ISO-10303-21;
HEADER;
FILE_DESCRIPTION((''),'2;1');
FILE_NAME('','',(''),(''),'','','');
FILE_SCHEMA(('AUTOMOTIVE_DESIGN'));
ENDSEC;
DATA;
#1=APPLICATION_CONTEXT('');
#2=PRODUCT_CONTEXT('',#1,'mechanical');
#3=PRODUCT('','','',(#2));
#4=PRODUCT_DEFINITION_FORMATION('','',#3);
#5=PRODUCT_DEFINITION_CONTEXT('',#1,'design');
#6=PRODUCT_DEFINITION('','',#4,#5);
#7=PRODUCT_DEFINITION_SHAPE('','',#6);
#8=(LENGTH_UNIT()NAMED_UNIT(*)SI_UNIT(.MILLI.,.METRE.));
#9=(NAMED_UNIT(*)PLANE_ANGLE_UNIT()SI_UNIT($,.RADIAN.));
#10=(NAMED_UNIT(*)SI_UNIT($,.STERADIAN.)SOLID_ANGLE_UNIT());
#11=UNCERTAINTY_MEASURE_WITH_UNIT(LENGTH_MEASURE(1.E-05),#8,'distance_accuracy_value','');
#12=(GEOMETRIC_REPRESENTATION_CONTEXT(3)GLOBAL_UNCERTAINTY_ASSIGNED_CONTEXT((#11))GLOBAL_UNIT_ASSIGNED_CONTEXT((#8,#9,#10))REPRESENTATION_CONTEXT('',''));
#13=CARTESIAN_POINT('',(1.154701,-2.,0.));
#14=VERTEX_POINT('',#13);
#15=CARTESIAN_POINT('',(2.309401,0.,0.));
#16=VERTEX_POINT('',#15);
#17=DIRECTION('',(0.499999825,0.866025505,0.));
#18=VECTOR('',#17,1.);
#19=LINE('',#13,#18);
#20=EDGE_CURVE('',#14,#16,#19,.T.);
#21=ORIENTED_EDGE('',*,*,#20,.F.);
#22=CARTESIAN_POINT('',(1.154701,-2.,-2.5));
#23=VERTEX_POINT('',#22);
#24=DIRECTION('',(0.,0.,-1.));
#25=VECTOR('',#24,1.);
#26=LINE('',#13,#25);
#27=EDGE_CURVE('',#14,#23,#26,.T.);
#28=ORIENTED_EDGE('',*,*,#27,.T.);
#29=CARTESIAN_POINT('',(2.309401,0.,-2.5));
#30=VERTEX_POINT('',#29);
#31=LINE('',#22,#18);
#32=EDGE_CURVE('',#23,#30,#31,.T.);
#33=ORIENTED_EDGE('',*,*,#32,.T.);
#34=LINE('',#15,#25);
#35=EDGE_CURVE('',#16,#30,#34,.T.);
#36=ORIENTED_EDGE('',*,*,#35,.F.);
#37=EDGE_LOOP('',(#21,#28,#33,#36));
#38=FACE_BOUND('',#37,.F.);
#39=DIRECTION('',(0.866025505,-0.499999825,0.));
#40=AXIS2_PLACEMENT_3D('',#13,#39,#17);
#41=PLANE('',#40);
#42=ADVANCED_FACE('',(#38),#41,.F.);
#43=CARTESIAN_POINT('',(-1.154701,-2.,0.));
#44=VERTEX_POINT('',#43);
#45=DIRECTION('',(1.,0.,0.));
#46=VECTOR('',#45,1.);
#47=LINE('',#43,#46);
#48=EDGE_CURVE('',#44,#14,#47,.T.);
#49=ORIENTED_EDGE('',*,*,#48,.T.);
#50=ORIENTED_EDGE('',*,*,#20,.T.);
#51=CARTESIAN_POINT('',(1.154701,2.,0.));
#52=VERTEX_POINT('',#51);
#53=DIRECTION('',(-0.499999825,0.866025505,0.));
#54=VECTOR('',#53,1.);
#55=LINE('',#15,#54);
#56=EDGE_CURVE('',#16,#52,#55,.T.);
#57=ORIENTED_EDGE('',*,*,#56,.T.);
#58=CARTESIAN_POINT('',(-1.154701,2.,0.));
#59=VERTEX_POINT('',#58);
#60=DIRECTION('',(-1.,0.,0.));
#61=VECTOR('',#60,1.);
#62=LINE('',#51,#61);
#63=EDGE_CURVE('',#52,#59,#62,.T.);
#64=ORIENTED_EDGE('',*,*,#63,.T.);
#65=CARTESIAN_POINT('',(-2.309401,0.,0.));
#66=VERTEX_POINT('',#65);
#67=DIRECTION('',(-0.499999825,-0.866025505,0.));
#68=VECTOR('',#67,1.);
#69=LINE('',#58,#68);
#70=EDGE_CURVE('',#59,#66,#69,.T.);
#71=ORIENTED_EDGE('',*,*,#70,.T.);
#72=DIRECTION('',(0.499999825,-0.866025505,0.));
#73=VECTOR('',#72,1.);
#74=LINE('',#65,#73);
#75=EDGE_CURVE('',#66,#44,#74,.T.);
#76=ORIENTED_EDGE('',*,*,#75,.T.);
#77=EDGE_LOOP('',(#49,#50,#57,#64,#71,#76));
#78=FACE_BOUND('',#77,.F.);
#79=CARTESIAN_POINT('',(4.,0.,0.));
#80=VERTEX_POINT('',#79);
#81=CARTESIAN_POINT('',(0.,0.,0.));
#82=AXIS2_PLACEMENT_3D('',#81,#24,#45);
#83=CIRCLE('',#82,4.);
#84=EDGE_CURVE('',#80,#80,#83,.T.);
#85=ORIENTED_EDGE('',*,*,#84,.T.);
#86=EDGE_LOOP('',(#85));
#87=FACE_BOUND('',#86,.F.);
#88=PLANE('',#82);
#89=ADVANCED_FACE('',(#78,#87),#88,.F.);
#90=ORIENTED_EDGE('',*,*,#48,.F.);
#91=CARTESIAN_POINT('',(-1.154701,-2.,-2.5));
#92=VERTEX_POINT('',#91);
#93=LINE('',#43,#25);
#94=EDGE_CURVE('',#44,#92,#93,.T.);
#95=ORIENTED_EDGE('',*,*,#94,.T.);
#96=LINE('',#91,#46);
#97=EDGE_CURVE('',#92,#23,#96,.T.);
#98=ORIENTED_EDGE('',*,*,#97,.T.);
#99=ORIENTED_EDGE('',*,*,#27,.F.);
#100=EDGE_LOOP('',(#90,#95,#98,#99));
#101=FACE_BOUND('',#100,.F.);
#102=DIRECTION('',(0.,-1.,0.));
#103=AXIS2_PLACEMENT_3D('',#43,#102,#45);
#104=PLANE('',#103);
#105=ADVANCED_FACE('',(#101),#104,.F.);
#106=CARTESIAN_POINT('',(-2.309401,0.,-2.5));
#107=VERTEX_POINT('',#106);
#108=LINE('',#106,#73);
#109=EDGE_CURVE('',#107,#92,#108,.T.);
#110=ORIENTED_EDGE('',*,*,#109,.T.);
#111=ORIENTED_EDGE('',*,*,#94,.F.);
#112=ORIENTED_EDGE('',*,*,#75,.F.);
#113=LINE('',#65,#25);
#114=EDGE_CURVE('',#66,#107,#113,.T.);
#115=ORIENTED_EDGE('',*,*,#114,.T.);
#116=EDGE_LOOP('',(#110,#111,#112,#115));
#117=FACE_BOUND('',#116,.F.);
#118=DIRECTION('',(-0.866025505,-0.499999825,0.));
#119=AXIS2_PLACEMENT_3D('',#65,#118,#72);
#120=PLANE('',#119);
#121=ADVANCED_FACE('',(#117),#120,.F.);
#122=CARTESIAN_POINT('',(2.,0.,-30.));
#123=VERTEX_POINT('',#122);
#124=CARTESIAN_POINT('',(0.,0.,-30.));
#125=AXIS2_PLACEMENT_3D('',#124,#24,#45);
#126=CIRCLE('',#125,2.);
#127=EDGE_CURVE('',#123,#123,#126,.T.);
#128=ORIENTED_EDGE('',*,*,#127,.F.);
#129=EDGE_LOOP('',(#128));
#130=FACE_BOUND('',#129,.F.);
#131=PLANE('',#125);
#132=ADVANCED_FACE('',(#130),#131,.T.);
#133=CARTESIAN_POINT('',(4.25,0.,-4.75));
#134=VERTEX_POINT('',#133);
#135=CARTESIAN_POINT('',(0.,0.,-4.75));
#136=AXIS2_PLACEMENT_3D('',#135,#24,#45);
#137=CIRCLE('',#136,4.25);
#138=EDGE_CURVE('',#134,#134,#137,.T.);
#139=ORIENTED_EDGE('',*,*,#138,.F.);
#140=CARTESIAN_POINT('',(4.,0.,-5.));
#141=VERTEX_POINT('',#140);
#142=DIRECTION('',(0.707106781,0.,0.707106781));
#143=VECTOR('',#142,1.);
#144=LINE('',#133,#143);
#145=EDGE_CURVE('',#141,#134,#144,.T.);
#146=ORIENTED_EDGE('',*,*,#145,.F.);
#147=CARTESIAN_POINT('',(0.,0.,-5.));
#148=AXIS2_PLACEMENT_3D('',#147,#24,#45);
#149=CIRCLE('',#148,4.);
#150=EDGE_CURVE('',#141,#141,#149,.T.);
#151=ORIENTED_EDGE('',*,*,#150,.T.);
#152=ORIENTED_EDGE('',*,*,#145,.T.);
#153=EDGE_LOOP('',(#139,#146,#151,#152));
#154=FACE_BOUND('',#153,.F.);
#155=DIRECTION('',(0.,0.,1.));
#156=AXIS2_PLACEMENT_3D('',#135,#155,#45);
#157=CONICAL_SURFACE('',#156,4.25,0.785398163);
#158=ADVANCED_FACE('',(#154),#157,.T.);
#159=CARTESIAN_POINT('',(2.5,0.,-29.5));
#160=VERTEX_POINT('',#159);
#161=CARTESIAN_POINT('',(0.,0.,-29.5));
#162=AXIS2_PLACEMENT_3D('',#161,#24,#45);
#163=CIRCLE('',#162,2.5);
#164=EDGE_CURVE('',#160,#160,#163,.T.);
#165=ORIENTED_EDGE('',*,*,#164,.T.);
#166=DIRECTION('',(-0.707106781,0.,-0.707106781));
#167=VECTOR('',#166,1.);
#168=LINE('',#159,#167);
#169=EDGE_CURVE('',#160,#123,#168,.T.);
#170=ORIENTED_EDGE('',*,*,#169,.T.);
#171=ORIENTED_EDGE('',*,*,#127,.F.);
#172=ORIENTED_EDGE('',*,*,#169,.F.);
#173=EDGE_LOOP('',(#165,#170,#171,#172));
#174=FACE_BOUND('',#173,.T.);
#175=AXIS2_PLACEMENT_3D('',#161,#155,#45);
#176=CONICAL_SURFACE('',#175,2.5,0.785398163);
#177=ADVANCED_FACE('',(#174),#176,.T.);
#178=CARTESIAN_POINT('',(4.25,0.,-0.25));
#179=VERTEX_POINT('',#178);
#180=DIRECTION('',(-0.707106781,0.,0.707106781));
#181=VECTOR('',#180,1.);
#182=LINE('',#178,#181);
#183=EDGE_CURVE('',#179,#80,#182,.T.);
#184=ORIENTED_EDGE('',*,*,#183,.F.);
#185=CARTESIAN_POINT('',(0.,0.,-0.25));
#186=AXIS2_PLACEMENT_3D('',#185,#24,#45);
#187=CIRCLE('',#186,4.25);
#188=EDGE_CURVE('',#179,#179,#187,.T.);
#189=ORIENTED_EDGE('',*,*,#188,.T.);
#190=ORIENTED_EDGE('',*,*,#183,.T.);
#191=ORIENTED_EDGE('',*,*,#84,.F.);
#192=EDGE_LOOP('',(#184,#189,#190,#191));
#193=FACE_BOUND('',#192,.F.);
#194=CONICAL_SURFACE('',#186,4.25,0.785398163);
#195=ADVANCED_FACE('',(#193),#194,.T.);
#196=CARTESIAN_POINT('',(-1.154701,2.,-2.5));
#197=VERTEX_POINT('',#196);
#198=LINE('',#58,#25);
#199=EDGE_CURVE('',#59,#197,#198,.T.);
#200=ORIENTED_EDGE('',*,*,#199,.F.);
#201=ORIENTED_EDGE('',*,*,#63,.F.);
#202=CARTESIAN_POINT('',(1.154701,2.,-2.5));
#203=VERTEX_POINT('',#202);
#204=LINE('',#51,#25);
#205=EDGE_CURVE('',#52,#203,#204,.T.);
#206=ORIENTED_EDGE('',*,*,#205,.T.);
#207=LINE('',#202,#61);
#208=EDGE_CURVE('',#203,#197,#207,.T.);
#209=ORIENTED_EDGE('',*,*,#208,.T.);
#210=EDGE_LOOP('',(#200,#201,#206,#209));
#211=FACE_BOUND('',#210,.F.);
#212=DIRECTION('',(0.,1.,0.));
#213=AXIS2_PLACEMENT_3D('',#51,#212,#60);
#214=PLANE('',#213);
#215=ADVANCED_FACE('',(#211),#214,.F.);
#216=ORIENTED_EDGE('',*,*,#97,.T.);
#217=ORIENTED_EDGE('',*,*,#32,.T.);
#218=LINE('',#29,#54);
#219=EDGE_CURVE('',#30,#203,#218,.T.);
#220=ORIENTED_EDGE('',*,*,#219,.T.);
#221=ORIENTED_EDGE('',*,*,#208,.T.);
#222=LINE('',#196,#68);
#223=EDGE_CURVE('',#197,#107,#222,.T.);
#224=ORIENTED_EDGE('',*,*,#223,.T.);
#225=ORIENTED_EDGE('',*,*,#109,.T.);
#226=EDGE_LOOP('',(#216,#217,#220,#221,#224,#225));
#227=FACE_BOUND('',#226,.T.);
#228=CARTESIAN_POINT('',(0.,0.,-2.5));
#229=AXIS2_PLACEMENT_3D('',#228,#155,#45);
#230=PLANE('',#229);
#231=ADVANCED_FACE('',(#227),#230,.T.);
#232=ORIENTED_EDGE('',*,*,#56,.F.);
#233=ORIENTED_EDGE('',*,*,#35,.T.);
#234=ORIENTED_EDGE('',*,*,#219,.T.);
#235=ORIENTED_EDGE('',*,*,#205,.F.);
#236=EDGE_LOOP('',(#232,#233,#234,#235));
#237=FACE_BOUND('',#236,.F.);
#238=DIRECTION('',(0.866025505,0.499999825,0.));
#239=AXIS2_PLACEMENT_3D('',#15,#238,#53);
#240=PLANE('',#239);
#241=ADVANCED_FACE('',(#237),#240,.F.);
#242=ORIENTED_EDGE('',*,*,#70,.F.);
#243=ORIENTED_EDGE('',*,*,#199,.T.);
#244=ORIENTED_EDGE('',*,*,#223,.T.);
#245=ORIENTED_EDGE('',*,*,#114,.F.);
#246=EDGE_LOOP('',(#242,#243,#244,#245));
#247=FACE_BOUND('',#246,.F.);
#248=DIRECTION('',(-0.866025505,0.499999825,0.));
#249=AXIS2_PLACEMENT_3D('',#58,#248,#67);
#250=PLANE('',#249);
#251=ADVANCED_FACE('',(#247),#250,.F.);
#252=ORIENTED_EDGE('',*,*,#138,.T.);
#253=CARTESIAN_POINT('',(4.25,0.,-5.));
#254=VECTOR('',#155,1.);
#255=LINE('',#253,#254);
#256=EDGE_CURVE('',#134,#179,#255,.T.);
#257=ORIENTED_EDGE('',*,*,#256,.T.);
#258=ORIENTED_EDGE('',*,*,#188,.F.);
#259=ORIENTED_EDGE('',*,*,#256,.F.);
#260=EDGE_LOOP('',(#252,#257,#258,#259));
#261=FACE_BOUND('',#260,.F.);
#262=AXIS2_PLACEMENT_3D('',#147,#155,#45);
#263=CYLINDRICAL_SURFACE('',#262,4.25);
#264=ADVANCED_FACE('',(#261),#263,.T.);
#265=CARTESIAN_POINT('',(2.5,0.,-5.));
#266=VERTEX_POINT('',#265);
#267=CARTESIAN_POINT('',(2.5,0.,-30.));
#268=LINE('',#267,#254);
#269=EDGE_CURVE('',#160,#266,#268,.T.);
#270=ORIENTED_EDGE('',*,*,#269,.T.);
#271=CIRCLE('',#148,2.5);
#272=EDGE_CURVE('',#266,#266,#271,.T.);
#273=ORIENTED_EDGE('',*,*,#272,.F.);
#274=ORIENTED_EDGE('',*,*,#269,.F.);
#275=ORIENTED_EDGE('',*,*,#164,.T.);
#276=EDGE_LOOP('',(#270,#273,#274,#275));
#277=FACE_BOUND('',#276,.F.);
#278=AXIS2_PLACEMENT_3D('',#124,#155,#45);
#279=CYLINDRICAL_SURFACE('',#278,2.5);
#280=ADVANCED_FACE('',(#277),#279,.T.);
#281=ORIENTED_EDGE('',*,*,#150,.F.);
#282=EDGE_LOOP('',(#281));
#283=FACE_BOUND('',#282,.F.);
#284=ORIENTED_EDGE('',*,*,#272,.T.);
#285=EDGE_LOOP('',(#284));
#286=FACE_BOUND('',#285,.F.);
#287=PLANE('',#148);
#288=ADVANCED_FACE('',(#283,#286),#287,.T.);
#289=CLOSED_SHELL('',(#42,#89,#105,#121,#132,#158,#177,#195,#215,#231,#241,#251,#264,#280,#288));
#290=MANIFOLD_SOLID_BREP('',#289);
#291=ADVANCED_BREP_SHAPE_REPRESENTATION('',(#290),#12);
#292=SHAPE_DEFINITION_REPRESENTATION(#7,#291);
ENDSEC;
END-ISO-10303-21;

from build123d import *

# Parameters (mm, degrees)
F3_DEPTH = 2.5
F4_SIZE  = 0.5
F5_SIZE  = 0.25


with BuildPart() as f1:
    # F0 (on Front) → F1 (revolve)
    with BuildSketch(Plane.XZ):
        Polygon((4.25, 0), (0, 0), (0, -30), (2.5, -30), (2.5, -5), (4.25, -5), align=None)
    revolve(axis=Axis((0, 0, -15), (0, 0, -1)))

    # F2 (on face) → F3 (cut)
    with BuildSketch(Plane.XY):
        Polygon((1.154701, 2), (-1.154701, 2), (-2.309401, 0), (-1.154701, -2), (1.154701, -2), (2.309401, 0), align=None)
    extrude(amount=-F3_DEPTH, mode=Mode.SUBTRACT)

    # F4
    f4_edges = [f1.edges().sort_by_distance(p)[0] for p in [
        (-2.5, 0, -30),
    ]]
    chamfer(f4_edges, length=F4_SIZE)

    # F5
    f5_edges = [f1.edges().sort_by_distance(p)[0] for p in [
        (-4.25, 0, 0),
        (-4.25, 0, -5),
    ]]
    chamfer(f5_edges, length=F5_SIZE)


solid = f1.part
